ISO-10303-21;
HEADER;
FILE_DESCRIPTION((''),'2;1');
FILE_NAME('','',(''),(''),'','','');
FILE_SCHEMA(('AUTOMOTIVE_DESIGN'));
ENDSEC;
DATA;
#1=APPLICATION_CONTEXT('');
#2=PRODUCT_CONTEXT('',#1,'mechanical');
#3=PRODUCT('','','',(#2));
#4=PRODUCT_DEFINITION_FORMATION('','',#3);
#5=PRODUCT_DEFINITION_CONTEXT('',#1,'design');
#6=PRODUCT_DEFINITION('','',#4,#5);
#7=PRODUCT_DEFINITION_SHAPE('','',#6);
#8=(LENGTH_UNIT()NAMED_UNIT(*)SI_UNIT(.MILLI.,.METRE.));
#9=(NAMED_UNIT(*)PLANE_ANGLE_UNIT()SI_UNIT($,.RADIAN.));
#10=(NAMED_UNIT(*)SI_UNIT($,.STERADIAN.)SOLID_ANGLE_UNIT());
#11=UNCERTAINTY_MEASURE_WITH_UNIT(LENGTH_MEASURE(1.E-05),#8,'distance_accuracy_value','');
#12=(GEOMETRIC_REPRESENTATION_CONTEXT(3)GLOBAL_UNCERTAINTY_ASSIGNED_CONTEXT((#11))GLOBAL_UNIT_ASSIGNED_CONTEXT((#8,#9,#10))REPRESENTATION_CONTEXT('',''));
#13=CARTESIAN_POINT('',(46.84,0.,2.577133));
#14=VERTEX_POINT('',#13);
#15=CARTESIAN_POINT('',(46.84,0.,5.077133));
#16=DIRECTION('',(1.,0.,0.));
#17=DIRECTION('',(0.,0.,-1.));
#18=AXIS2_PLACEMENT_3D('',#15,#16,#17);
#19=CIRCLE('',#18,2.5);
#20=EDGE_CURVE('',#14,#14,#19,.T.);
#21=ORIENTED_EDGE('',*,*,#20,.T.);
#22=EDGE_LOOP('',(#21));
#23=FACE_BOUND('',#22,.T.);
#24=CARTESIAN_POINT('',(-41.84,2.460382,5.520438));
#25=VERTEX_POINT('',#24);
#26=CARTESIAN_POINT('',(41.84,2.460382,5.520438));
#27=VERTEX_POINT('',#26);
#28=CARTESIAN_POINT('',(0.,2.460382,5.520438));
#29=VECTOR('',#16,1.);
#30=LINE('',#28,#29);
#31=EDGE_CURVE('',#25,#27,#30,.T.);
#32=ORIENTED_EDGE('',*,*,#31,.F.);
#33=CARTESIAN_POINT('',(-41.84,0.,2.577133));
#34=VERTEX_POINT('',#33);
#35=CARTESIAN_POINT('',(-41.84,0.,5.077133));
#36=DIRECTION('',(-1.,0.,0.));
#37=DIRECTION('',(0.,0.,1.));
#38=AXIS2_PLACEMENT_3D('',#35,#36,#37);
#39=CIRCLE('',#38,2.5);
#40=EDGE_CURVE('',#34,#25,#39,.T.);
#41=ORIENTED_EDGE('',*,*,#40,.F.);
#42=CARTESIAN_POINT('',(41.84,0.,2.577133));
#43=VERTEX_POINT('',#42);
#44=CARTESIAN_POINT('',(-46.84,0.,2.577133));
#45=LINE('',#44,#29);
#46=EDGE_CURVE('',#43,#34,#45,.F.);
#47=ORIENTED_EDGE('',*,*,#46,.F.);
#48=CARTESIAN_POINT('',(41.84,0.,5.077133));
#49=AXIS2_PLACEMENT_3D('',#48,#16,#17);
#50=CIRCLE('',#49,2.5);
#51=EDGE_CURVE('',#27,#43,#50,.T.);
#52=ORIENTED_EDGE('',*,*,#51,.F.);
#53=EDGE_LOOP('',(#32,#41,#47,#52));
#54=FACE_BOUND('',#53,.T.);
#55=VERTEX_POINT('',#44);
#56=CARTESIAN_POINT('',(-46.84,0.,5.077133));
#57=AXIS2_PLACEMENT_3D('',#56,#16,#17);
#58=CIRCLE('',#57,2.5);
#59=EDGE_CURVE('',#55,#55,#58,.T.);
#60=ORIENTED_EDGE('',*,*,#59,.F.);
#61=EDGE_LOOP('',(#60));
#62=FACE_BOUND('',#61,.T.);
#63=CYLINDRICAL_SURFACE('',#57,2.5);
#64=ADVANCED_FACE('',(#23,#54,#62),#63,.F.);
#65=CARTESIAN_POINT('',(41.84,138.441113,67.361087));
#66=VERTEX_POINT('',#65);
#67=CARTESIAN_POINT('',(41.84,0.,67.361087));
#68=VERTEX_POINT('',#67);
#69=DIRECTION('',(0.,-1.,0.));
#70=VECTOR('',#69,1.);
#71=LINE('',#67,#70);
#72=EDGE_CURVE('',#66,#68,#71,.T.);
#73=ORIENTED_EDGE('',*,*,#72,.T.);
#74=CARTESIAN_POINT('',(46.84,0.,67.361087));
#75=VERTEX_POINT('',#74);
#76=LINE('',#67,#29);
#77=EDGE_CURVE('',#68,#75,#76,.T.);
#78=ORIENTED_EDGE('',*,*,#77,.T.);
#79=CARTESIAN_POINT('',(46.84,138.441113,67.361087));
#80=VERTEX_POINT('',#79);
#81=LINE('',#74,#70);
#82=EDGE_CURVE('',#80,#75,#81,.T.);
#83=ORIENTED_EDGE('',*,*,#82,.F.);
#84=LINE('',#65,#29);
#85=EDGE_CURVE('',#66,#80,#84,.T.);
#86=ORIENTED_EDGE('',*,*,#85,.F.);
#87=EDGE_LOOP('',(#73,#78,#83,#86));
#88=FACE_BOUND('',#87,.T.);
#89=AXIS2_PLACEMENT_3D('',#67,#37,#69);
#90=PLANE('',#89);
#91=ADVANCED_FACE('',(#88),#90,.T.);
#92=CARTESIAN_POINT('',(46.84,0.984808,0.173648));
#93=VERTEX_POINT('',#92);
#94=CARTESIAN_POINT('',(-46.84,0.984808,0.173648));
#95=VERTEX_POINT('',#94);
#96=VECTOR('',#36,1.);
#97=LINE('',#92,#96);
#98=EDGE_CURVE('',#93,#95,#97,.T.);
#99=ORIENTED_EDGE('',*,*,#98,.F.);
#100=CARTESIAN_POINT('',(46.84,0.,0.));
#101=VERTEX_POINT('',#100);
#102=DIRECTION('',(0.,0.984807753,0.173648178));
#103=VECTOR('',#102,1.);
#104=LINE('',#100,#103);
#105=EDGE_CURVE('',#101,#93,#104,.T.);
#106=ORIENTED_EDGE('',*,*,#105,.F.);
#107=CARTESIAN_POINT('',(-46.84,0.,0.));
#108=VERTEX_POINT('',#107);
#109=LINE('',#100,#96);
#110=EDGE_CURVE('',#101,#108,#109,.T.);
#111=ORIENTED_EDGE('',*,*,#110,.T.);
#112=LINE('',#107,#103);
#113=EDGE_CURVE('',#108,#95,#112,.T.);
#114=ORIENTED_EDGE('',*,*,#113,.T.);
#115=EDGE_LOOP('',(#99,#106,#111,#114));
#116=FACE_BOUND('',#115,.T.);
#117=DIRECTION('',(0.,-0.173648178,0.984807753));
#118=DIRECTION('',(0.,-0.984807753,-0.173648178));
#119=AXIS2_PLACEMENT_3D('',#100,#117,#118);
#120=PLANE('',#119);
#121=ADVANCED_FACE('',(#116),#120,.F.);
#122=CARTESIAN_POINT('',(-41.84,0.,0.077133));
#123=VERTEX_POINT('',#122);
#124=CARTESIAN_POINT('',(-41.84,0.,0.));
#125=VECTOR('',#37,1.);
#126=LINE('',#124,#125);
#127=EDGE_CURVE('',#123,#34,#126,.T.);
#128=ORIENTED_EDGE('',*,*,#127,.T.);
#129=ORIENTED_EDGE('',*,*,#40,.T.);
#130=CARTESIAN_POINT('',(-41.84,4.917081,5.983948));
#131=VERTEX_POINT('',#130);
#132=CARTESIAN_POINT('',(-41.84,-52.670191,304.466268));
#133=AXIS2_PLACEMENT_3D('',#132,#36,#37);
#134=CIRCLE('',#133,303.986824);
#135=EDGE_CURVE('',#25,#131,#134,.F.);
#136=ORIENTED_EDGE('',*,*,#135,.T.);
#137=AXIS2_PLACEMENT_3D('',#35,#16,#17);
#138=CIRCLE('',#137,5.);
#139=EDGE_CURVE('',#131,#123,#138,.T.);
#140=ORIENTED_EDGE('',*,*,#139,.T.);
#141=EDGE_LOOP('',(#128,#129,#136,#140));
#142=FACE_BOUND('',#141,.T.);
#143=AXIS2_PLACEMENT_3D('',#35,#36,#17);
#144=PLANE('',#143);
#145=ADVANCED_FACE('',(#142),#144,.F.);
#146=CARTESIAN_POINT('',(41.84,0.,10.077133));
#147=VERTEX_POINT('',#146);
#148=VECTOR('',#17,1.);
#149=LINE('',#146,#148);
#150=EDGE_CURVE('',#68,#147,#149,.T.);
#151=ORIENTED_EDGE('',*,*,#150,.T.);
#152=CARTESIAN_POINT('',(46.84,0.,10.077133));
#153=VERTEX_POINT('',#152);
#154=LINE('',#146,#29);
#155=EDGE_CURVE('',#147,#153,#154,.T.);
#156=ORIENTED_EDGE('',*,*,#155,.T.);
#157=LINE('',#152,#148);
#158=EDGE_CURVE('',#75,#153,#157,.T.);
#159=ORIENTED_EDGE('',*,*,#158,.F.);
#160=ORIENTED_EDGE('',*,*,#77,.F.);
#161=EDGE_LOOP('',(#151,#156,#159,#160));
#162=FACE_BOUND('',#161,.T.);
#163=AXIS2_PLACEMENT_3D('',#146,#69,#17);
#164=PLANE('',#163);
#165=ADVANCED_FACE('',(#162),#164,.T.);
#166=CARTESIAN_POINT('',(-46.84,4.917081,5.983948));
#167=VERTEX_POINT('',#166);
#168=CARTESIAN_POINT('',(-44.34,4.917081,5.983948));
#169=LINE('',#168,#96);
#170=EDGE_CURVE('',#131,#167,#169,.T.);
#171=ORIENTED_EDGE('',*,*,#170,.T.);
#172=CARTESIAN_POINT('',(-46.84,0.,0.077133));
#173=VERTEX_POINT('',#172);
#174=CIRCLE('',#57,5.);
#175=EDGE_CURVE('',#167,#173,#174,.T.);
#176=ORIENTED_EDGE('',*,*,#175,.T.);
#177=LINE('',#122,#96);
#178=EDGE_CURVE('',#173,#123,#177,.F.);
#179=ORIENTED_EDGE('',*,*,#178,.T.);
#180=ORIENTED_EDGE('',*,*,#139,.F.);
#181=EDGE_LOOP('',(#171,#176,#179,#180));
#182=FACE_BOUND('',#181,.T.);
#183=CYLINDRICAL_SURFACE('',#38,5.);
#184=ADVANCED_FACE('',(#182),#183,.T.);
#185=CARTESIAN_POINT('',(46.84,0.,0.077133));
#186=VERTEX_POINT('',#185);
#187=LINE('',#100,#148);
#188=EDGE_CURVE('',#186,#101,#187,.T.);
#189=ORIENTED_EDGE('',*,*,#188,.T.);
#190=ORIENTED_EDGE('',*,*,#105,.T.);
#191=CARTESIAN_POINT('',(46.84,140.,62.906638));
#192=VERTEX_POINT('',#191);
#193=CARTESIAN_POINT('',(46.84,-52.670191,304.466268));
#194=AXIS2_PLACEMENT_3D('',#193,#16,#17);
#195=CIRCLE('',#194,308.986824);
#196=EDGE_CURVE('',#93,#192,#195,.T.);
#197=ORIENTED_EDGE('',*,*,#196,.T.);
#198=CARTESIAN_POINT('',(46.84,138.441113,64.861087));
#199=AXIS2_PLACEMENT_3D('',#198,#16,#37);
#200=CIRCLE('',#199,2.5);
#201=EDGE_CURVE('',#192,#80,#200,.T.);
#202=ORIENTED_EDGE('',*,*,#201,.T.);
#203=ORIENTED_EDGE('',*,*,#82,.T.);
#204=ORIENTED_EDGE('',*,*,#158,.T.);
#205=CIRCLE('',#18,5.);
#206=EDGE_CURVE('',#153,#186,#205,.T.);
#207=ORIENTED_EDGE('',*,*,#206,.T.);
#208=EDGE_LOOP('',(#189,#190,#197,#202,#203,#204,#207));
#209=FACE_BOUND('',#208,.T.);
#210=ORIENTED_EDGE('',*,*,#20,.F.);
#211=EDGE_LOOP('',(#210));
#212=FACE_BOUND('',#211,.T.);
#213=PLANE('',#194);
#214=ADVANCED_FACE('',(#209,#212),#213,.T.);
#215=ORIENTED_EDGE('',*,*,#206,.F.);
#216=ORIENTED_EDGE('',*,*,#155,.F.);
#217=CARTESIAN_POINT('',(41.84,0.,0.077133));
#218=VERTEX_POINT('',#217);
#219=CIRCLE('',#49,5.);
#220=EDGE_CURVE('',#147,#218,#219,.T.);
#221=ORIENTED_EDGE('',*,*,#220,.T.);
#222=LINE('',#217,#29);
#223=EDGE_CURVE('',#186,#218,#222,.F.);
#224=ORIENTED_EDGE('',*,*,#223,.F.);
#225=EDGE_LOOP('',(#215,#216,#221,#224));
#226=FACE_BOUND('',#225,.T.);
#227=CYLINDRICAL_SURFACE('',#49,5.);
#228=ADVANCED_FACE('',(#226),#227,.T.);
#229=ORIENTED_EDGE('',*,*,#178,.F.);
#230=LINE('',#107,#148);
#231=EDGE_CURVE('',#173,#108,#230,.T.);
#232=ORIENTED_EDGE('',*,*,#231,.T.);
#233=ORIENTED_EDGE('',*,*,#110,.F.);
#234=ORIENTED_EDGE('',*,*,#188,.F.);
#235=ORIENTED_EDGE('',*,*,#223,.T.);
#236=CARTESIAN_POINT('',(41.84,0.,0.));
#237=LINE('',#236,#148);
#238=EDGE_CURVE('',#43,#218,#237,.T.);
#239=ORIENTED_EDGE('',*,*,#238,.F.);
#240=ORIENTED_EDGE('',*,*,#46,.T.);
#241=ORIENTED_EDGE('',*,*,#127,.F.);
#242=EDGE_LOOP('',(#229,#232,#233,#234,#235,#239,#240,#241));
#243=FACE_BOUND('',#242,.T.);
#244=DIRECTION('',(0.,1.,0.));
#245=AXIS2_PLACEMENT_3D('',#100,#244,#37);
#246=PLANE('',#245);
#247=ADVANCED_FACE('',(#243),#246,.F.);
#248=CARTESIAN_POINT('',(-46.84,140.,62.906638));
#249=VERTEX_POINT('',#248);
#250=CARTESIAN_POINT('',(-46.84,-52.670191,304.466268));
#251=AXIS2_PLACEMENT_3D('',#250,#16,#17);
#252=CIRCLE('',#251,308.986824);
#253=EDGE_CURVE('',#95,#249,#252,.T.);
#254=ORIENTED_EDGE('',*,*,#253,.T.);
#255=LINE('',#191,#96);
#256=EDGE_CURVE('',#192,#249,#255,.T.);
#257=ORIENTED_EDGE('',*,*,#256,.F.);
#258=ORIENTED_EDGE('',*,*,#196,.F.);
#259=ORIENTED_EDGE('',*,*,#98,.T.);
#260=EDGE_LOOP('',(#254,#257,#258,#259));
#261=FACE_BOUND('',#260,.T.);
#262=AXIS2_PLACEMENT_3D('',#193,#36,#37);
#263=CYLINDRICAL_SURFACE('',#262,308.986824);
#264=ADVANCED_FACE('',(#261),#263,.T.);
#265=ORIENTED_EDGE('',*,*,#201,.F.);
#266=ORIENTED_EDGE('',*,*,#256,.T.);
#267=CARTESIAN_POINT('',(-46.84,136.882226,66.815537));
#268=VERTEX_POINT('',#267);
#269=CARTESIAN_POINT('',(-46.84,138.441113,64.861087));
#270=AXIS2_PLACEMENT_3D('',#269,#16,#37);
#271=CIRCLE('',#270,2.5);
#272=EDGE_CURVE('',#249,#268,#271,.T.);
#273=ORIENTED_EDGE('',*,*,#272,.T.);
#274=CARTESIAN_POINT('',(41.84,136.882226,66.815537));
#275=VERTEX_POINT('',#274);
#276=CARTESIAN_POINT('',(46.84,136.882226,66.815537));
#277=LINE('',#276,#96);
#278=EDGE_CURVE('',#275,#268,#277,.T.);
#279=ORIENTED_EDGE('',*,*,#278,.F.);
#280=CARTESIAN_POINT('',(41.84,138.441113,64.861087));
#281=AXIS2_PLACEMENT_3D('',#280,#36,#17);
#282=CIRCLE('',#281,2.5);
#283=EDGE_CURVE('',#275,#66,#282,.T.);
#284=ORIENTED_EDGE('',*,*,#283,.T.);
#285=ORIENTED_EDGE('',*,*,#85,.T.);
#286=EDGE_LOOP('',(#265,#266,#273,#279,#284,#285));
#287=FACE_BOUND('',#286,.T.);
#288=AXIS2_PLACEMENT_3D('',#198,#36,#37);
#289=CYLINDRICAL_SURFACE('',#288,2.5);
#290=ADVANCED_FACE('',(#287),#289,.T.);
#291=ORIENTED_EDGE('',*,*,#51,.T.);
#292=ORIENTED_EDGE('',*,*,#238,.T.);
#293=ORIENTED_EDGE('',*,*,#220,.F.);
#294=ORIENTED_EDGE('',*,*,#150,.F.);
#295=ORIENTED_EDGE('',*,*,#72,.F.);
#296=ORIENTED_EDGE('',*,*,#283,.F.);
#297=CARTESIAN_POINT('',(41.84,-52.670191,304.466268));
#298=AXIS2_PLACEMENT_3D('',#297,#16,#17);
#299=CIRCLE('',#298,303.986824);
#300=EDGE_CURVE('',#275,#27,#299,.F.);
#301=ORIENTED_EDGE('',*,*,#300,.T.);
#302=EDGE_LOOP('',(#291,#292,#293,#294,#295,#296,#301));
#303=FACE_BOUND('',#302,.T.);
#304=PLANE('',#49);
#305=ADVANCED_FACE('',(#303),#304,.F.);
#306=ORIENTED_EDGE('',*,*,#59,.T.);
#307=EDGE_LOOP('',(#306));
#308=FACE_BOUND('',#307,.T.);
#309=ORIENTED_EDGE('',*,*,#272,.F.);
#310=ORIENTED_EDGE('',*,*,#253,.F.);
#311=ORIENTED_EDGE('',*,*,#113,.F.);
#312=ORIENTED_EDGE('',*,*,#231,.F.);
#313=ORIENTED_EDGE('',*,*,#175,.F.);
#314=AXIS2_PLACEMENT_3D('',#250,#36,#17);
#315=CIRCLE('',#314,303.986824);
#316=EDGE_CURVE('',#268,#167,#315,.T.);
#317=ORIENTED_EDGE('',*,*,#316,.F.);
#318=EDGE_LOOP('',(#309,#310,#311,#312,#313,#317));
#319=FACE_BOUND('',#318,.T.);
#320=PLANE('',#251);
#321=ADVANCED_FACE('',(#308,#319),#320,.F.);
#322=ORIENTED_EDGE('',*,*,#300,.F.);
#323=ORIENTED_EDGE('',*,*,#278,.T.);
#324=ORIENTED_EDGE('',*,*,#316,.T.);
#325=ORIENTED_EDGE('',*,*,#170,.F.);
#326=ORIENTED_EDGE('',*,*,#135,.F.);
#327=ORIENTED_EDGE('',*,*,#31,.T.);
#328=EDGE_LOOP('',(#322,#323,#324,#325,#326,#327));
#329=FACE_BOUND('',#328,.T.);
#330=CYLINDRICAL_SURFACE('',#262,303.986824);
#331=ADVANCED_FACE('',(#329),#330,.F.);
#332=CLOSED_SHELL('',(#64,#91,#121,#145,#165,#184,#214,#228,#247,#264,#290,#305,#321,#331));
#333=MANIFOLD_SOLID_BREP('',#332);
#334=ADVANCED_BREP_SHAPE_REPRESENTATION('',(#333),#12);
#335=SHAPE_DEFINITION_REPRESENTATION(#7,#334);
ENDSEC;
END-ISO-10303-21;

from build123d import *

# Parameters (mm, degrees)
BOSS_EXTRUDE8_DEPTH  = 46.84
SKETCH10_R           = 5
BOSS_EXTRUDE9_DEPTH  = 5
SKETCH11_R           = 2.5
CUT_EXTRUDE4_DEPTH   = 94.68
BOSS_EXTRUDE10_DEPTH = 5


with BuildPart() as part:
    # Sketch9 → Boss-Extrude8 (new body, symmetric)
    with BuildSketch(Plane(origin=(0, 0, 0), x_dir=(0, 0, -1), z_dir=(1, 0, 0))):
        with BuildLine():
            Line((0, 0), (-0.173648178, 0.984807753))
            ThreePointArc((-0.173648178, 0.984807753), (-22.828245747, 74.423796966), (-62.906637971, 140))
            ThreePointArc((-62.906637971, 140), (-66.419974037, 140.395562491), (-66.815536529, 136.882226425))
            ThreePointArc((-66.815536529, 136.882226425), (-27.385689632, 72.367172247), (-5.097686943, 0.116566865))
            Line((-5.097686943, 0.116566865), (-5.077133059, 0))
            Line((-5.077133059, 0), (0, 0))
        make_face()
    extrude(amount=BOSS_EXTRUDE8_DEPTH, both=True)

    # Sketch10 → Boss-Extrude9 (add)
    with BuildSketch(Plane(origin=(46.84, 0, 0), x_dir=(0, 0, -1), z_dir=(1, 0, 0))):
        with Locations((-5.077133059, 0)):
            Circle(SKETCH10_R)
    boss_extrude9 = extrude(amount=-BOSS_EXTRUDE9_DEPTH)

    # Mirror1: Boss-Extrude9 across plane
    add(boss_extrude9.mirror(Plane(origin=(0, 0, 0), x_dir=(0, 0, 1), z_dir=(1, 0, 0))))

    # Sketch11 → Cut-Extrude4 (cut, through all)
    with BuildSketch(Plane(origin=(46.84, 0, 0), x_dir=(0, 0, -1), z_dir=(1, 0, 0))):
        with Locations((-5.077133059, 0)):
            Circle(SKETCH11_R)
    extrude(amount=-CUT_EXTRUDE4_DEPTH, mode=Mode.SUBTRACT)

    # Sketch13 → Boss-Extrude10 (add)
    with BuildSketch(Plane(origin=(46.84, 0, 0), x_dir=(0, 0, -1), z_dir=(1, 0, 0))):
        with BuildLine():
            Line((-10.077133059, 0), (-67.36108725, 0))
            Line((-67.36108725, 0), (-67.36108725, 138.441113213))
            ThreePointArc((-67.36108725, 138.441113213), (-67.220761295, 137.615317595), (-66.815536529, 136.882226425))
            ThreePointArc((-66.815536529, 136.882226425), (-28.39859142, 74.587920976), (-5.983948215, 4.917081072))
            ThreePointArc((-5.983948215, 4.917081072), (-8.919923438, 3.198900141), (-10.077133059, 0))
        make_face()
    extrude(amount=-BOSS_EXTRUDE10_DEPTH)


solid = part.part
